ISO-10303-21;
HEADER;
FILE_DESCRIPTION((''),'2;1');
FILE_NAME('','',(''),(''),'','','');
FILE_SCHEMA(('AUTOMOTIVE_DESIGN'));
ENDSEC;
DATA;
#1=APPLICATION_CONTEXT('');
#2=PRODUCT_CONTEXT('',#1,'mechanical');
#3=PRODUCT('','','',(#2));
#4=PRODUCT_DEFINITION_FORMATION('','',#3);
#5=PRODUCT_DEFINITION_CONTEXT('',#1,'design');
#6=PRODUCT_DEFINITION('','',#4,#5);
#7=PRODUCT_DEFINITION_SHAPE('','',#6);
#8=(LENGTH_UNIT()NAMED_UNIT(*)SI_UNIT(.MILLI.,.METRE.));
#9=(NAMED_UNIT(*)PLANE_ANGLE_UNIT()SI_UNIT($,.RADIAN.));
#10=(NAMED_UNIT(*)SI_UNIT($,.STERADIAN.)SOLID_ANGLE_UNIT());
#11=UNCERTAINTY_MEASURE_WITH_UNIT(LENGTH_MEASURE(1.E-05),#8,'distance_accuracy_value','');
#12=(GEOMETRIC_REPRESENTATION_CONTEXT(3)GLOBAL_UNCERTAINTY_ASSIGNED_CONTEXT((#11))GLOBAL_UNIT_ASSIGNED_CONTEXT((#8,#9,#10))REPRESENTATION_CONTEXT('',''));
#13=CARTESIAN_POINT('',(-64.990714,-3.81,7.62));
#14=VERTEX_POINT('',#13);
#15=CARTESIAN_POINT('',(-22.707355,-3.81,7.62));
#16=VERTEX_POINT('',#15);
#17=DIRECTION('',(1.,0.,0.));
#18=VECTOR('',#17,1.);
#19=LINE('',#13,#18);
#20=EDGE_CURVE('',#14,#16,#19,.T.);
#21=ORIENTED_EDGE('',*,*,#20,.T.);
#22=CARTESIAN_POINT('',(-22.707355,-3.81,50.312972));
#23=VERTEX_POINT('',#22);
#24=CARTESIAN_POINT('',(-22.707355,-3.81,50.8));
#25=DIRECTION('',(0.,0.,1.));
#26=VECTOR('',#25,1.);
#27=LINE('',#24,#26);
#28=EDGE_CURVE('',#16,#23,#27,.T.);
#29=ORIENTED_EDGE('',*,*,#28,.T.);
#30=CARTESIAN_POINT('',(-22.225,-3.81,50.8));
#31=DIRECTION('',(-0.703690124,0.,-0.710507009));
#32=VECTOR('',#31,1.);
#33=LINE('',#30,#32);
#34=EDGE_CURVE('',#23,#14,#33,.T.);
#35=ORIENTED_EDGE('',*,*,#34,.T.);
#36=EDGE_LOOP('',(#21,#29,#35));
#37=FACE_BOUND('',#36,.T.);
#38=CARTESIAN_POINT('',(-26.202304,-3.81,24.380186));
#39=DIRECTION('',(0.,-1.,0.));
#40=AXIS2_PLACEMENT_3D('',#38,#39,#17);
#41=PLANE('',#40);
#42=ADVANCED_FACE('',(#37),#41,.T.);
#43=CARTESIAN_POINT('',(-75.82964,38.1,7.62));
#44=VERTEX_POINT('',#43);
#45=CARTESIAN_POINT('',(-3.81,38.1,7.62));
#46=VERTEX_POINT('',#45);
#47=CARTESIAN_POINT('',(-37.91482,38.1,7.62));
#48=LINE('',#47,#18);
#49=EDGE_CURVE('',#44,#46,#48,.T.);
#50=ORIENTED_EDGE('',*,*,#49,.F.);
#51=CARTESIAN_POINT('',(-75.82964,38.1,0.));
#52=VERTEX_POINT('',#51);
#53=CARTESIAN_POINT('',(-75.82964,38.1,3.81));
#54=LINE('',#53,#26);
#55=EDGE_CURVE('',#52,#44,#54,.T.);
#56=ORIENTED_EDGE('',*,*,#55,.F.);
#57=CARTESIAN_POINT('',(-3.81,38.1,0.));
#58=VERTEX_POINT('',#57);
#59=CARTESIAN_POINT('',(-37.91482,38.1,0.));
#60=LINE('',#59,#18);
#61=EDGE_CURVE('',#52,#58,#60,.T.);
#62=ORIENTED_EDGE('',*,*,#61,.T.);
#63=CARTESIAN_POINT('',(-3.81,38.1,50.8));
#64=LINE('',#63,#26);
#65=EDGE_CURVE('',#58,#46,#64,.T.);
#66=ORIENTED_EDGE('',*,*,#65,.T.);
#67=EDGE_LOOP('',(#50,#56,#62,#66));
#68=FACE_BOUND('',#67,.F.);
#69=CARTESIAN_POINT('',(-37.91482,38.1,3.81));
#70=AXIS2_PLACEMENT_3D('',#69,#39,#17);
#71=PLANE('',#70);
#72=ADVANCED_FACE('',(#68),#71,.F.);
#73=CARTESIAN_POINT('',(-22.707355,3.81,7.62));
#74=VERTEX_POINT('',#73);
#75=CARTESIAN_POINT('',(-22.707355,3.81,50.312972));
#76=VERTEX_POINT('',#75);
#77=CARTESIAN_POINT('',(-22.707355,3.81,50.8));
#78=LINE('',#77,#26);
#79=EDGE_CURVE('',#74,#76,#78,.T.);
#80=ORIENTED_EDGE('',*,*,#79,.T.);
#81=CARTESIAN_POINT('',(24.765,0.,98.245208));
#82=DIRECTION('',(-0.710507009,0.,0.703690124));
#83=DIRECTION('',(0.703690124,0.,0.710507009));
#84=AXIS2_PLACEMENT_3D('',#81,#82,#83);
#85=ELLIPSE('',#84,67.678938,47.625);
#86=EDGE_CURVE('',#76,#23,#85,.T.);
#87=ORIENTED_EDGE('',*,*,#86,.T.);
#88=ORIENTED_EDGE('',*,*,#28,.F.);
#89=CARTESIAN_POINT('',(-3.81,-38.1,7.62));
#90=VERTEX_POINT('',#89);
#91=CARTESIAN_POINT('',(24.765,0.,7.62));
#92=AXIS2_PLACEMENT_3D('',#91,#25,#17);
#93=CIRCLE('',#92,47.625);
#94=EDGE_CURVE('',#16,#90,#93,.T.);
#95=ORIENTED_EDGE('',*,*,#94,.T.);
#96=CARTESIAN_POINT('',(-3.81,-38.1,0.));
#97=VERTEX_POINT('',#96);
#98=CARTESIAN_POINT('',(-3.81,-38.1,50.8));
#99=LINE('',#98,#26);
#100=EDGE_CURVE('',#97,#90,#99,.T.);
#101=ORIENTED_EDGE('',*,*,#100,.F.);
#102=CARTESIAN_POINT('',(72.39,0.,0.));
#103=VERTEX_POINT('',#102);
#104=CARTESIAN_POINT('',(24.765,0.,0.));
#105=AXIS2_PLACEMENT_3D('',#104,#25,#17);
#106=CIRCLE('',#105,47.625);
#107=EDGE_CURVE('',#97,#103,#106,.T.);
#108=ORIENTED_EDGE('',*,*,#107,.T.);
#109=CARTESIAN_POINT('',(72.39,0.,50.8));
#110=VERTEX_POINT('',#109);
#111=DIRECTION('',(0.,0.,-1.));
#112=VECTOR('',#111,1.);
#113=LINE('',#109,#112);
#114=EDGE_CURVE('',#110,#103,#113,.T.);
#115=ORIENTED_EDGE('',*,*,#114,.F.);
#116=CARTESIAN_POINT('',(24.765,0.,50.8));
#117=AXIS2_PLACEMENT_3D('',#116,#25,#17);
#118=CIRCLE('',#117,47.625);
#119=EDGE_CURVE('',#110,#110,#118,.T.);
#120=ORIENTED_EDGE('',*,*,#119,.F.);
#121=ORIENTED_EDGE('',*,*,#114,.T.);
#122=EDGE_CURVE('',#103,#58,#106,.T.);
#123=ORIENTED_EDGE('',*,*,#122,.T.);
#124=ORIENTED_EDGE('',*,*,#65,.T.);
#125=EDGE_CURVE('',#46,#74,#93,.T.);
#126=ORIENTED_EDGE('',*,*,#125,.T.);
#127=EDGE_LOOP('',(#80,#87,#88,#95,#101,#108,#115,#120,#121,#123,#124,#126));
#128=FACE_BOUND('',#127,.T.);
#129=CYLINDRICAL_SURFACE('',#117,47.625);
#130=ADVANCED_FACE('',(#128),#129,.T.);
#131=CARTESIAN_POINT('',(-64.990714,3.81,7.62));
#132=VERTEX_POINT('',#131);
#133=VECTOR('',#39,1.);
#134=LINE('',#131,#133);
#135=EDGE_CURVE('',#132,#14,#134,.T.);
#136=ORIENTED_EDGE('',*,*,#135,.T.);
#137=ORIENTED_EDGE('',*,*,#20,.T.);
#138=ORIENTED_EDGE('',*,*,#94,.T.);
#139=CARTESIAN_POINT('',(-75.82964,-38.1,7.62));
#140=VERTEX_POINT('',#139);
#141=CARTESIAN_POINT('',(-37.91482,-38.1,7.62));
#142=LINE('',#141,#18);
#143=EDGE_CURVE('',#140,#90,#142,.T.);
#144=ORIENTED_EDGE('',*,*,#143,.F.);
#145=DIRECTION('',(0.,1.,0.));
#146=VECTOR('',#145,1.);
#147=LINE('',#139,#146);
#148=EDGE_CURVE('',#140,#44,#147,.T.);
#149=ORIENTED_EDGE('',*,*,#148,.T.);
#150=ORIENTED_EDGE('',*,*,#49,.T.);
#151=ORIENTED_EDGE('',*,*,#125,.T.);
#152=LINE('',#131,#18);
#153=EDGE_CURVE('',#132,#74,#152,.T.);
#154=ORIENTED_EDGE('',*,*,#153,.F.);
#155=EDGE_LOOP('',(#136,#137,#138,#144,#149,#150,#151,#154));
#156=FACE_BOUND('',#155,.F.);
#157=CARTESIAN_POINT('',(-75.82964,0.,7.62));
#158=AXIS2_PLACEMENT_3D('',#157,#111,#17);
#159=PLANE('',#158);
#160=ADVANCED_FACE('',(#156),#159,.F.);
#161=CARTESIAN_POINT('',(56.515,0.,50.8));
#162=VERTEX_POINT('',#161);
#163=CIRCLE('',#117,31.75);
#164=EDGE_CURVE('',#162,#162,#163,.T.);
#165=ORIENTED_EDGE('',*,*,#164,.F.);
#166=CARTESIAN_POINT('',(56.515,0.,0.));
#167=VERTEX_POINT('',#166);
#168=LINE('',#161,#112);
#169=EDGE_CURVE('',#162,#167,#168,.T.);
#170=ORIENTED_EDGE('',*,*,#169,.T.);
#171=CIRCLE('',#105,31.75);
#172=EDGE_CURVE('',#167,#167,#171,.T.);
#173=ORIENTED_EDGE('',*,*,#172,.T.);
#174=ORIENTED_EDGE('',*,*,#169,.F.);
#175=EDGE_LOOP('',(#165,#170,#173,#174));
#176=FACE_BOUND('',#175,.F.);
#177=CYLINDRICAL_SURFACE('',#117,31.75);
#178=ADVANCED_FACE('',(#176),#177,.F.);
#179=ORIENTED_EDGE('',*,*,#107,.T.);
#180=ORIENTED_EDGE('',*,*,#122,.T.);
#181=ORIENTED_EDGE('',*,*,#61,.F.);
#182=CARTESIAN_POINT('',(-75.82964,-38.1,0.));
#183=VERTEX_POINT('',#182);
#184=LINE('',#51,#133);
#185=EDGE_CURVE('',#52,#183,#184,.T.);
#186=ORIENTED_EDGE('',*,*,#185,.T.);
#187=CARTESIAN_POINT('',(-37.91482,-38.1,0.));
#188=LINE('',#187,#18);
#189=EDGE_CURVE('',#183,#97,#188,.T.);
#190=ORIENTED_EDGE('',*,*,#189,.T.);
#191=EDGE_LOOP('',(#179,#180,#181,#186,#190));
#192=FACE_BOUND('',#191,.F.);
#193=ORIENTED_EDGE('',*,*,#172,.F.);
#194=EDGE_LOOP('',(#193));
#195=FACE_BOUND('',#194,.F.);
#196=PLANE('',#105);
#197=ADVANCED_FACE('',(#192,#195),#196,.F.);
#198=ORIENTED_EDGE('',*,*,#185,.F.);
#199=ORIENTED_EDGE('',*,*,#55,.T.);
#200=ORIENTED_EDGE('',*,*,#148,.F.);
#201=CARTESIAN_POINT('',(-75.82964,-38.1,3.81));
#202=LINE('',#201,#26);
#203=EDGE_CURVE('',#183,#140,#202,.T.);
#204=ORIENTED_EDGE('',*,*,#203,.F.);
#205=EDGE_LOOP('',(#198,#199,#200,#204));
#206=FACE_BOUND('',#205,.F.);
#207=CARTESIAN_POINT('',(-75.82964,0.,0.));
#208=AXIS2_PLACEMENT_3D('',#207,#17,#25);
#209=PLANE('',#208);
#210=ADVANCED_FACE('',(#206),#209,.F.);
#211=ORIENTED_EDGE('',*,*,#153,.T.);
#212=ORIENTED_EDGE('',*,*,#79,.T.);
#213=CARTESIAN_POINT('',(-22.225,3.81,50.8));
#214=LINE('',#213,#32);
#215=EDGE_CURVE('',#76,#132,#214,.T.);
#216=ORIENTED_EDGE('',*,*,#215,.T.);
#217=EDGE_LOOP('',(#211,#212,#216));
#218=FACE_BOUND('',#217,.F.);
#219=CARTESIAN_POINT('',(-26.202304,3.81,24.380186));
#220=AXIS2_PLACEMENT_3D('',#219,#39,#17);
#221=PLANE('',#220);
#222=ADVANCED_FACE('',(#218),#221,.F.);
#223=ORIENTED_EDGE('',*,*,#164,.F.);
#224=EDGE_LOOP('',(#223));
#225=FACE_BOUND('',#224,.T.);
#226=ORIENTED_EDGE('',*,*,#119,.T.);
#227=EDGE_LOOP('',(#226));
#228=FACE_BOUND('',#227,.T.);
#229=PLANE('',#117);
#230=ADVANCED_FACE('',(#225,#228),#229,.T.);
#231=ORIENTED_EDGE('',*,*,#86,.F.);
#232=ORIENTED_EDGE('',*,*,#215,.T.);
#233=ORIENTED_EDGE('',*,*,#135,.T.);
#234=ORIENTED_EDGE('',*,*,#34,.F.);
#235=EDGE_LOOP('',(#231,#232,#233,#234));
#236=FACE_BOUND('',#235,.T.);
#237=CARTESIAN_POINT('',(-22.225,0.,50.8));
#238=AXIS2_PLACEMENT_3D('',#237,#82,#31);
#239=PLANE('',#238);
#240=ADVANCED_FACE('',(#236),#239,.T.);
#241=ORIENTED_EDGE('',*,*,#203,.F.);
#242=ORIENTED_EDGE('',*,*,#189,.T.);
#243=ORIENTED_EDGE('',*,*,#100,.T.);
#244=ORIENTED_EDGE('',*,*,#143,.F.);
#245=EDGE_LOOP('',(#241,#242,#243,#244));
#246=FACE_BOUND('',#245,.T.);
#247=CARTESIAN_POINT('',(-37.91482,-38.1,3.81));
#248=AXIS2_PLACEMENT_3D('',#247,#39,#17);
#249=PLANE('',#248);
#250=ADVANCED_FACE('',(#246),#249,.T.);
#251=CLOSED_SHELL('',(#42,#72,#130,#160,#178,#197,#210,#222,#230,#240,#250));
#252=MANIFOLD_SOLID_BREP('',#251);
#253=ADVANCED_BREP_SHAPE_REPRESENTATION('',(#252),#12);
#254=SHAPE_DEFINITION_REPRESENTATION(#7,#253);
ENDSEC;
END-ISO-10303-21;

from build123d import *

# Parameters (mm, degrees)
F0_W     = 75.82964
F0_H     = 7.62
F1_DEPTH = 38.1
F3_DEPTH = 3.81
F4_R     = 47.625
F5_DEPTH = 50.8
F6_R     = 31.75
F7_DEPTH = 50.801


with BuildPart() as f1:
    # F0 (on Front) → F1 (new body, symmetric)
    with BuildSketch(Plane.XZ):
        with Locations((-37.91482, 3.81)):
            Rectangle(F0_W, F0_H)
    extrude(amount=F1_DEPTH, both=True)

    # F2 (on Front) → F3 (join, symmetric)
    with BuildSketch(Plane.XZ):
        Polygon((-22.225, 50.8), (-64.990714, 7.62), (0, 7.62), (0, 50.8), align=None)
    extrude(amount=F3_DEPTH, both=True)

    # F4 (on face) → F5 (join)
    with BuildSketch(Plane.XY.offset(50.8)):
        with Locations((24.765, 0)):
            Circle(F4_R)
    extrude(amount=-F5_DEPTH)

    # F6 (on face) → F7 (cut, through all)
    with BuildSketch(Plane.XY.offset(50.8)):
        with Locations((24.765, 0)):
            Circle(F6_R)
    extrude(amount=-F7_DEPTH, mode=Mode.SUBTRACT)


solid = f1.part
